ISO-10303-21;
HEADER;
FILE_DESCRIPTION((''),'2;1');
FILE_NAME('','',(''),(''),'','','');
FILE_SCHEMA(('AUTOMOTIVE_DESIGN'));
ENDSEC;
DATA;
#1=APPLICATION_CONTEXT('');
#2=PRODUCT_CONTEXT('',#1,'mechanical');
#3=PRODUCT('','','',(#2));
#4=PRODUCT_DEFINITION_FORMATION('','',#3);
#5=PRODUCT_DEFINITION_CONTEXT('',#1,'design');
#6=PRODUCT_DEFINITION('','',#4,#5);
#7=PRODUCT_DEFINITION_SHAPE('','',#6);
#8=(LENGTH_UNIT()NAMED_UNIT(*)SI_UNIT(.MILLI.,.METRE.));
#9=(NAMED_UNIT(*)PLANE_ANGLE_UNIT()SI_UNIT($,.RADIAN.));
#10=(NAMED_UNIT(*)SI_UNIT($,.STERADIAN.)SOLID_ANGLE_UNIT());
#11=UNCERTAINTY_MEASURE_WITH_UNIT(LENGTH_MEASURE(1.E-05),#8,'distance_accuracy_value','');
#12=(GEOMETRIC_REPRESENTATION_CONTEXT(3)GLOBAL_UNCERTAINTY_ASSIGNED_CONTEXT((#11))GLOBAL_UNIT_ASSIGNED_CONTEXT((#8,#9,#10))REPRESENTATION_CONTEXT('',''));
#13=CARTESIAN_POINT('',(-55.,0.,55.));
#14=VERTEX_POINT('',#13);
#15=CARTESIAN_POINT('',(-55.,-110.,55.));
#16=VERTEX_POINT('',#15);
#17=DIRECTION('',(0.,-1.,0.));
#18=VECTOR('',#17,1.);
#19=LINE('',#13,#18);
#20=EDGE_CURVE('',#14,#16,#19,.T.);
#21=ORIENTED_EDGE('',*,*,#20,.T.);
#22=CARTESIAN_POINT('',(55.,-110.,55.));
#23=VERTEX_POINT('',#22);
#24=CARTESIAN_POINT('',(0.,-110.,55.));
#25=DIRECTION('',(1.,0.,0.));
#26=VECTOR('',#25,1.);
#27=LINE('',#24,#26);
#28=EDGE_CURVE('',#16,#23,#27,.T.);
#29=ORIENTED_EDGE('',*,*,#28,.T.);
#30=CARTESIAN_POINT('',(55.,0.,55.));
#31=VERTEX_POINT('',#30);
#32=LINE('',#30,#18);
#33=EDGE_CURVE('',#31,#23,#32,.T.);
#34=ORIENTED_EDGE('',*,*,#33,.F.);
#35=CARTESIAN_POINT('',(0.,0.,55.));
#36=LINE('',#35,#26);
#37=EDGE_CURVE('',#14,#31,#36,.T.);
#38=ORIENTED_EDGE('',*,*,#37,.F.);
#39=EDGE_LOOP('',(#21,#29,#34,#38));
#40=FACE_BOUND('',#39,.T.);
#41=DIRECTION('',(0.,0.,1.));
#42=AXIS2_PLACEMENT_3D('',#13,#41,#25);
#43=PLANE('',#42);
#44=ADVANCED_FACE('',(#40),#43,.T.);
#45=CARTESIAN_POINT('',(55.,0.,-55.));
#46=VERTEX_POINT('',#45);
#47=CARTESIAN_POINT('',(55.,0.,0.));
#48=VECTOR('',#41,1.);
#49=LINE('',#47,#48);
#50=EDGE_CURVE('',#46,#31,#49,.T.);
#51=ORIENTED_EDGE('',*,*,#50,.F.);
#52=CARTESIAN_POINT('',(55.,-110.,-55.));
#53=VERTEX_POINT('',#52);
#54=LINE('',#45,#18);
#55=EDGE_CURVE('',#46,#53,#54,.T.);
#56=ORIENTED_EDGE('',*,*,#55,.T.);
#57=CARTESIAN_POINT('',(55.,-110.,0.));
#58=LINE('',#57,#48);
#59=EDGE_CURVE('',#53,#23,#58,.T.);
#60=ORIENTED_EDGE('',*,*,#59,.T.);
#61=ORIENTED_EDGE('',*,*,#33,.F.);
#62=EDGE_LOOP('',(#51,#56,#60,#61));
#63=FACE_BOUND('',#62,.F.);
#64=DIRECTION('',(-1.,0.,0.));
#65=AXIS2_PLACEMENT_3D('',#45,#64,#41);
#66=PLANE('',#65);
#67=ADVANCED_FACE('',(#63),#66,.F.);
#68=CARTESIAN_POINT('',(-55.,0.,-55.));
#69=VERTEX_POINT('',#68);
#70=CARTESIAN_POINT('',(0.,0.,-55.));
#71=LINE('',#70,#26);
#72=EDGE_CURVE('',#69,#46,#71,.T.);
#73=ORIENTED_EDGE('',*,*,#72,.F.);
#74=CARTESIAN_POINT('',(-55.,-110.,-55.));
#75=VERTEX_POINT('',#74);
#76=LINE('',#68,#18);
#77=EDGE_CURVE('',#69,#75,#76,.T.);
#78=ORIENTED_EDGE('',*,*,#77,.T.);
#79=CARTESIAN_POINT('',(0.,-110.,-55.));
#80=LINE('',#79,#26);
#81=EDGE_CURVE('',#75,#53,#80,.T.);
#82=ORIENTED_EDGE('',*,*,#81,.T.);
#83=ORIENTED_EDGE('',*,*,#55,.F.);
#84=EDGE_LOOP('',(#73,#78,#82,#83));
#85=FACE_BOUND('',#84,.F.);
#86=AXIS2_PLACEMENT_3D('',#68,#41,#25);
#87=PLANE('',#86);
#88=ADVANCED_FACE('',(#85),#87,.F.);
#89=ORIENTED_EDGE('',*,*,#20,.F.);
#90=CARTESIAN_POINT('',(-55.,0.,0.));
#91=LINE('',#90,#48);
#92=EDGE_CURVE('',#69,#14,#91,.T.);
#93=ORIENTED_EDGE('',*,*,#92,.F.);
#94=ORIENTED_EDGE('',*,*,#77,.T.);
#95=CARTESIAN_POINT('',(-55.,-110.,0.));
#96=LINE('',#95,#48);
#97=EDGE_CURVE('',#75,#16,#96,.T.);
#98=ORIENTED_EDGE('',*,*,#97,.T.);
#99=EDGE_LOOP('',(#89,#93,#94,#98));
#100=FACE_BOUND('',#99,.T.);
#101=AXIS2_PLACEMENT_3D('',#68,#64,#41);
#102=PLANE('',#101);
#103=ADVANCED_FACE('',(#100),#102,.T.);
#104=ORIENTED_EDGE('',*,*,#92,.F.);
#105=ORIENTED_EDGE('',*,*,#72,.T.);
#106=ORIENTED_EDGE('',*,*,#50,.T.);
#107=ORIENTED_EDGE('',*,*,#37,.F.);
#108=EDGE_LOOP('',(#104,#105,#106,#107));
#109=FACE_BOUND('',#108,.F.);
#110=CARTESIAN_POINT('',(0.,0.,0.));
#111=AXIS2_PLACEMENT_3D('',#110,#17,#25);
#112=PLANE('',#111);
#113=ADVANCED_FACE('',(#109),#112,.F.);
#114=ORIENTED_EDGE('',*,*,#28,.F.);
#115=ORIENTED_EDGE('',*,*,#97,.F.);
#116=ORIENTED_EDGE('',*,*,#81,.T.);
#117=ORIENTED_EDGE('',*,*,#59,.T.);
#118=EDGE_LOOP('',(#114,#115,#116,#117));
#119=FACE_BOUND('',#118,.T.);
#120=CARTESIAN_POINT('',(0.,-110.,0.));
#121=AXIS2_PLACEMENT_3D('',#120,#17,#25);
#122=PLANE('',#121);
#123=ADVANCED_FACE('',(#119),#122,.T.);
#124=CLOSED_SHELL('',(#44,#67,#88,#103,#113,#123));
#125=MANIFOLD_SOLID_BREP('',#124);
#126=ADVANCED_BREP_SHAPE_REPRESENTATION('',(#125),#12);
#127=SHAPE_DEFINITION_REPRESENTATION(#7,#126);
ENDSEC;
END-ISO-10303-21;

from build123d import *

# Parameters (mm, degrees)
F0_W     = 110
F0_H     = 110
F1_DEPTH = 110


with BuildPart() as f1:
    # F0 (on Front) → F1 (new body)
    with BuildSketch(Plane.XZ):
        Rectangle(F0_W, F0_H)
    extrude(amount=F1_DEPTH)


solid = f1.part
